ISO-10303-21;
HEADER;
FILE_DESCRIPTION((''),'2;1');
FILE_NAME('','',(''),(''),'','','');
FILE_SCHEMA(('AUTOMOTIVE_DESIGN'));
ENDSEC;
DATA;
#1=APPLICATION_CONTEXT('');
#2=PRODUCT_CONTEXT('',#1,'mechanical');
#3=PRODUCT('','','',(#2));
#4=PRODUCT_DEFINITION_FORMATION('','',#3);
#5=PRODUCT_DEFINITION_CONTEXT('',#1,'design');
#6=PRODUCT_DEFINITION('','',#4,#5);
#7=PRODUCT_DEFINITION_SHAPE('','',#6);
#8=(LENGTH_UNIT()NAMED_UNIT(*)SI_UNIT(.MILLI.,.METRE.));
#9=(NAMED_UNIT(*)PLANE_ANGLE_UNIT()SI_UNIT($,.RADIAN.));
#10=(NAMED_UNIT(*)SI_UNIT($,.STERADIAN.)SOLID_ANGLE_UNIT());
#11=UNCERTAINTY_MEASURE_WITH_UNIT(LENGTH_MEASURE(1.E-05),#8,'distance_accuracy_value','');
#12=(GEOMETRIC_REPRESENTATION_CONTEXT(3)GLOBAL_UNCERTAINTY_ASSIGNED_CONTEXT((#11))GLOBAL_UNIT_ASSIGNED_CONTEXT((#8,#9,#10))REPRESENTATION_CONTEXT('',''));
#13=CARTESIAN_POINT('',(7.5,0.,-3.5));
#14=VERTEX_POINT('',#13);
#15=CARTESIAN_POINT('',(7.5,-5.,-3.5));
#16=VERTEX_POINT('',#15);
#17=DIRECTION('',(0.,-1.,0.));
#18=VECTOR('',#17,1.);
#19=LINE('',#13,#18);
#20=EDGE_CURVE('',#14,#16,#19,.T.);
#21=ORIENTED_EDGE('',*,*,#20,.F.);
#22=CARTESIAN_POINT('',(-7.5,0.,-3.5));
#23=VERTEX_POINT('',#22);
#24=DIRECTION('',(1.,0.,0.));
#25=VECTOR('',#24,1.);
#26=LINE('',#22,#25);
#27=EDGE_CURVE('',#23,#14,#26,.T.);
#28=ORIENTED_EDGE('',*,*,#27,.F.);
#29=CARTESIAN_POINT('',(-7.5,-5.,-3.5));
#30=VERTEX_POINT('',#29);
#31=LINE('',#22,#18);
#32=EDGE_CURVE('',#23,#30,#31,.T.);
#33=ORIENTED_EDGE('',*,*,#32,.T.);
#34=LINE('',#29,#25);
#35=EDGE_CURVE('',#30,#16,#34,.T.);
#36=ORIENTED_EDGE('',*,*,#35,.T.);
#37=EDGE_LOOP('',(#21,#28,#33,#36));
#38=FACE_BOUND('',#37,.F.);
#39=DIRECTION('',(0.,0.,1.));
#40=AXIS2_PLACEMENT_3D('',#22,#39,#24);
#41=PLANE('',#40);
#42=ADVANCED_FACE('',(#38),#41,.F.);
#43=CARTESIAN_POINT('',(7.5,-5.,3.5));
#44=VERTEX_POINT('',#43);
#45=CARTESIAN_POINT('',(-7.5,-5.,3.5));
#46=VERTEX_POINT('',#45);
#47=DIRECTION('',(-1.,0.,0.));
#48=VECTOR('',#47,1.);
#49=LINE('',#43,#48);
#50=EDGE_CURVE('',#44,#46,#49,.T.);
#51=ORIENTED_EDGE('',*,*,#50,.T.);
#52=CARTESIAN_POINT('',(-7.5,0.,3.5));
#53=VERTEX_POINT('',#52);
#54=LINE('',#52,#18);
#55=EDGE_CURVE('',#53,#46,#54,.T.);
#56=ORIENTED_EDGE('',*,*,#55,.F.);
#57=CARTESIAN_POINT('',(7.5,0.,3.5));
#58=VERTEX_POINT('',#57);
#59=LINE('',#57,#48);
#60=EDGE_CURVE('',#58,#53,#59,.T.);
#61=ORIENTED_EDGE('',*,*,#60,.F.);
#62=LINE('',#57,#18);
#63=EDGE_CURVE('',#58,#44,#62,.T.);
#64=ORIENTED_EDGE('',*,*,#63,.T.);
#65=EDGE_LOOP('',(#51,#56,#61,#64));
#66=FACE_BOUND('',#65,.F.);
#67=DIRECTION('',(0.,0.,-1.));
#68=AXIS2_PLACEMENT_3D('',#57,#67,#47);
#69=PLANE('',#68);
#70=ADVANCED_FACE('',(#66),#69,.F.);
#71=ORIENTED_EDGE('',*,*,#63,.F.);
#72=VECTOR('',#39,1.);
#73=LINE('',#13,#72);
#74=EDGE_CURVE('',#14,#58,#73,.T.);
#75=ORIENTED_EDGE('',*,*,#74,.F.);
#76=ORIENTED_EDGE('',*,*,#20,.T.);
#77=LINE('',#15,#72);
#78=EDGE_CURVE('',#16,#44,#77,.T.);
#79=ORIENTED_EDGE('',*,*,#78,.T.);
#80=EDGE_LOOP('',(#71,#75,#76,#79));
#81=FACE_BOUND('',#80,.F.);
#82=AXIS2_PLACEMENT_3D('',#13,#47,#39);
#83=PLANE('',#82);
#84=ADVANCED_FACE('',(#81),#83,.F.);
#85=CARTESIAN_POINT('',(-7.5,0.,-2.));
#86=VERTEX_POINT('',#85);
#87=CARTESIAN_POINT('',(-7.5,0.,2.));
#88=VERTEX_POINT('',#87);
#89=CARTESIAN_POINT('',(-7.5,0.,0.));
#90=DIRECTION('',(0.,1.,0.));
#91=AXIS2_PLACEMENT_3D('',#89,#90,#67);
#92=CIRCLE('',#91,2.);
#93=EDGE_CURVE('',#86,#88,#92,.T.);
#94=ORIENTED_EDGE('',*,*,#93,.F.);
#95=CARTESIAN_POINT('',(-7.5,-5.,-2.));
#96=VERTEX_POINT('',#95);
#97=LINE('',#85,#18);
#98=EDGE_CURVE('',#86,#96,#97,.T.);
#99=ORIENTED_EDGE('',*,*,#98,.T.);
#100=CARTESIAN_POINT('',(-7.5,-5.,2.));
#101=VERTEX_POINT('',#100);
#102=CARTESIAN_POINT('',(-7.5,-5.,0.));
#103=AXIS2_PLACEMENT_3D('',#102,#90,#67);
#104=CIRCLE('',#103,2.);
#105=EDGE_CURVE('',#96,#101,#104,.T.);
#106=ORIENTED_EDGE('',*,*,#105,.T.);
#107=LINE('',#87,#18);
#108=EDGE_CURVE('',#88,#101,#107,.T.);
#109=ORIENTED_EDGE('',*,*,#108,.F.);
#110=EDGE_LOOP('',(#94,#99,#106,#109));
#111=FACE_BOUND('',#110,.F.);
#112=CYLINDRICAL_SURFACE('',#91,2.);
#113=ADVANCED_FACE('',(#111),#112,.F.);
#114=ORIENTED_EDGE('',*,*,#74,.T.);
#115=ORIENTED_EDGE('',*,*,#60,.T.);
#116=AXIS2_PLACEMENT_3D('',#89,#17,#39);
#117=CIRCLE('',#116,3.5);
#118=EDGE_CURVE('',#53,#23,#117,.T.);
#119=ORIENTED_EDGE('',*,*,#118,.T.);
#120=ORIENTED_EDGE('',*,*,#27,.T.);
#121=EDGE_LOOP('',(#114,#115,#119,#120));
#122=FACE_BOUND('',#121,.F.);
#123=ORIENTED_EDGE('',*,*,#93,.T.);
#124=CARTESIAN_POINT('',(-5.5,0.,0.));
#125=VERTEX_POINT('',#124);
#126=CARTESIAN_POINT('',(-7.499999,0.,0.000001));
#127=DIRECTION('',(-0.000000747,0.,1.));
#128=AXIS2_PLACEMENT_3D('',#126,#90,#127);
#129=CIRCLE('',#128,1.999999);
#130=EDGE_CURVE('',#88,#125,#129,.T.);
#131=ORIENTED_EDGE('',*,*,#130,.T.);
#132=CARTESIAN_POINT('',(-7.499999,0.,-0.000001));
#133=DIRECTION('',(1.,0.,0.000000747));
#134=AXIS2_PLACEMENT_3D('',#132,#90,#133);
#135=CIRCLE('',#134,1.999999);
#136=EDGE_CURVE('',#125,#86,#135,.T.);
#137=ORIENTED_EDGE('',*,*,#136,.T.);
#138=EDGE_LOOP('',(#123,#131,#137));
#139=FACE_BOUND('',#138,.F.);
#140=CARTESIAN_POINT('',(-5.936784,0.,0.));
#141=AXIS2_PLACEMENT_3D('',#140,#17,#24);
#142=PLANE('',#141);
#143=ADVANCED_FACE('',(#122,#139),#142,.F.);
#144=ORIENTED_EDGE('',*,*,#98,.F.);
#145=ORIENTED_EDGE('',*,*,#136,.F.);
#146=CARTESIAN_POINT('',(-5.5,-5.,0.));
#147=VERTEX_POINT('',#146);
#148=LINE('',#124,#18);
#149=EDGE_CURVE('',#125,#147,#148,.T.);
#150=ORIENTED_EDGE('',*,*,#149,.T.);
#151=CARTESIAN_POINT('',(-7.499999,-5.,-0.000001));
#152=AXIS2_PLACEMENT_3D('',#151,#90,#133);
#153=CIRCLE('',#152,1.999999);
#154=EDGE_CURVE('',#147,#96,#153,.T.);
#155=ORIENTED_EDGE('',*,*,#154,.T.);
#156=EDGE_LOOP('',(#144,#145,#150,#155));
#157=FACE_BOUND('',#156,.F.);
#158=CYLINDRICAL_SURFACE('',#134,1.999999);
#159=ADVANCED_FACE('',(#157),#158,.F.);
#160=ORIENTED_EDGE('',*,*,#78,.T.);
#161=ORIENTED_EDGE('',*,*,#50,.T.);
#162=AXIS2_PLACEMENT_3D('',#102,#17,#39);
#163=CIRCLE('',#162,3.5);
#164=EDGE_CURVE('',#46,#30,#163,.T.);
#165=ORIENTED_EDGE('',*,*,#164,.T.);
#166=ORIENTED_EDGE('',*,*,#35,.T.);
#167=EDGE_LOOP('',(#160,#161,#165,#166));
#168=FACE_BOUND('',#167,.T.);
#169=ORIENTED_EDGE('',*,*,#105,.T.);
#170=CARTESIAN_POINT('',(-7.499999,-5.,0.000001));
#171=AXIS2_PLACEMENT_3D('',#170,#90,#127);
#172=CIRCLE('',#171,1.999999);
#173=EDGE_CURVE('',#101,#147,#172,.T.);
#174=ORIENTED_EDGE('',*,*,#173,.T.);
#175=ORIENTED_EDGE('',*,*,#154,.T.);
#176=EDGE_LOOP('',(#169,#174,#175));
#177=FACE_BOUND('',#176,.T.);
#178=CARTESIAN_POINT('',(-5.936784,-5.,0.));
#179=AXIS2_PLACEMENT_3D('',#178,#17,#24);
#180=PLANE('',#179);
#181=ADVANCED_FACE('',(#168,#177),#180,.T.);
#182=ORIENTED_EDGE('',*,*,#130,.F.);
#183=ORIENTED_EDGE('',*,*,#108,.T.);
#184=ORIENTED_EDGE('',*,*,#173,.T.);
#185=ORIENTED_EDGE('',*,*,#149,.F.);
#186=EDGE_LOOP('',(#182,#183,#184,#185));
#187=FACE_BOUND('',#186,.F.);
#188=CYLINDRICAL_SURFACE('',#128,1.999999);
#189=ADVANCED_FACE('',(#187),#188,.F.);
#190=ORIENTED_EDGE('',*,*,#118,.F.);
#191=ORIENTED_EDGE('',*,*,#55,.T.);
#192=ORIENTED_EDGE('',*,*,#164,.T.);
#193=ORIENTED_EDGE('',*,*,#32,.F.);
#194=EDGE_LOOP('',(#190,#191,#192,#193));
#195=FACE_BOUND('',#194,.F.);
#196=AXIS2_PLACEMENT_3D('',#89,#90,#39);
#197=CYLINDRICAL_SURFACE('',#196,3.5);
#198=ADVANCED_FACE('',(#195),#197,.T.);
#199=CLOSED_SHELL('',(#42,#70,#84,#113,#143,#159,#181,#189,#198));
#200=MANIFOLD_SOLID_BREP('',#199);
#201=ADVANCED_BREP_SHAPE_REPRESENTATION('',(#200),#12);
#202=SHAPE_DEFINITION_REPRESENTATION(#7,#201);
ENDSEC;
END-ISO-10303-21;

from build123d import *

# Parameters (mm, degrees)
F1_DEPTH = 5


with BuildPart() as f1:
    # F0 (on Front) → F1 (new body)
    with BuildSketch(Plane.XZ):
        with BuildLine():
            ThreePointArc((-4, 0), (-5.025126, 2.474874), (-7.5, 3.5))
            Line((-7.5, 3.5), (-7.5, 2))
            ThreePointArc((-7.5, 2), (-6.085786, 1.414214), (-5.5, 0))
            ThreePointArc((-5.5, 0), (-6.085786, -1.414214), (-7.5, -2))
            Line((-7.5, -2), (-7.5, -3.5))
            ThreePointArc((-7.5, -3.5), (-5.025126, -2.474874), (-4, 0))
        make_face()
        with BuildLine():
            Line((-7.5, 2), (-7.5, 3.5))
            ThreePointArc((-7.5, 3.5), (-11, 0), (-7.5, -3.5))
            Line((-7.5, -3.5), (-7.5, -2))
            ThreePointArc((-7.5, -2), (-9.5, 0), (-7.5, 2))
        make_face()
        with BuildLine():
            Line((7.5, 3.5), (-7.5, 3.5))
            ThreePointArc((-7.5, 3.5), (-5.025126, 2.474874), (-4, 0))
            ThreePointArc((-4, 0), (-5.025126, -2.474874), (-7.5, -3.5))
            Line((-7.5, -3.5), (7.5, -3.5))
            Line((7.5, -3.5), (7.5, 3.5))
        make_face()
    extrude(amount=F1_DEPTH)


solid = f1.part
